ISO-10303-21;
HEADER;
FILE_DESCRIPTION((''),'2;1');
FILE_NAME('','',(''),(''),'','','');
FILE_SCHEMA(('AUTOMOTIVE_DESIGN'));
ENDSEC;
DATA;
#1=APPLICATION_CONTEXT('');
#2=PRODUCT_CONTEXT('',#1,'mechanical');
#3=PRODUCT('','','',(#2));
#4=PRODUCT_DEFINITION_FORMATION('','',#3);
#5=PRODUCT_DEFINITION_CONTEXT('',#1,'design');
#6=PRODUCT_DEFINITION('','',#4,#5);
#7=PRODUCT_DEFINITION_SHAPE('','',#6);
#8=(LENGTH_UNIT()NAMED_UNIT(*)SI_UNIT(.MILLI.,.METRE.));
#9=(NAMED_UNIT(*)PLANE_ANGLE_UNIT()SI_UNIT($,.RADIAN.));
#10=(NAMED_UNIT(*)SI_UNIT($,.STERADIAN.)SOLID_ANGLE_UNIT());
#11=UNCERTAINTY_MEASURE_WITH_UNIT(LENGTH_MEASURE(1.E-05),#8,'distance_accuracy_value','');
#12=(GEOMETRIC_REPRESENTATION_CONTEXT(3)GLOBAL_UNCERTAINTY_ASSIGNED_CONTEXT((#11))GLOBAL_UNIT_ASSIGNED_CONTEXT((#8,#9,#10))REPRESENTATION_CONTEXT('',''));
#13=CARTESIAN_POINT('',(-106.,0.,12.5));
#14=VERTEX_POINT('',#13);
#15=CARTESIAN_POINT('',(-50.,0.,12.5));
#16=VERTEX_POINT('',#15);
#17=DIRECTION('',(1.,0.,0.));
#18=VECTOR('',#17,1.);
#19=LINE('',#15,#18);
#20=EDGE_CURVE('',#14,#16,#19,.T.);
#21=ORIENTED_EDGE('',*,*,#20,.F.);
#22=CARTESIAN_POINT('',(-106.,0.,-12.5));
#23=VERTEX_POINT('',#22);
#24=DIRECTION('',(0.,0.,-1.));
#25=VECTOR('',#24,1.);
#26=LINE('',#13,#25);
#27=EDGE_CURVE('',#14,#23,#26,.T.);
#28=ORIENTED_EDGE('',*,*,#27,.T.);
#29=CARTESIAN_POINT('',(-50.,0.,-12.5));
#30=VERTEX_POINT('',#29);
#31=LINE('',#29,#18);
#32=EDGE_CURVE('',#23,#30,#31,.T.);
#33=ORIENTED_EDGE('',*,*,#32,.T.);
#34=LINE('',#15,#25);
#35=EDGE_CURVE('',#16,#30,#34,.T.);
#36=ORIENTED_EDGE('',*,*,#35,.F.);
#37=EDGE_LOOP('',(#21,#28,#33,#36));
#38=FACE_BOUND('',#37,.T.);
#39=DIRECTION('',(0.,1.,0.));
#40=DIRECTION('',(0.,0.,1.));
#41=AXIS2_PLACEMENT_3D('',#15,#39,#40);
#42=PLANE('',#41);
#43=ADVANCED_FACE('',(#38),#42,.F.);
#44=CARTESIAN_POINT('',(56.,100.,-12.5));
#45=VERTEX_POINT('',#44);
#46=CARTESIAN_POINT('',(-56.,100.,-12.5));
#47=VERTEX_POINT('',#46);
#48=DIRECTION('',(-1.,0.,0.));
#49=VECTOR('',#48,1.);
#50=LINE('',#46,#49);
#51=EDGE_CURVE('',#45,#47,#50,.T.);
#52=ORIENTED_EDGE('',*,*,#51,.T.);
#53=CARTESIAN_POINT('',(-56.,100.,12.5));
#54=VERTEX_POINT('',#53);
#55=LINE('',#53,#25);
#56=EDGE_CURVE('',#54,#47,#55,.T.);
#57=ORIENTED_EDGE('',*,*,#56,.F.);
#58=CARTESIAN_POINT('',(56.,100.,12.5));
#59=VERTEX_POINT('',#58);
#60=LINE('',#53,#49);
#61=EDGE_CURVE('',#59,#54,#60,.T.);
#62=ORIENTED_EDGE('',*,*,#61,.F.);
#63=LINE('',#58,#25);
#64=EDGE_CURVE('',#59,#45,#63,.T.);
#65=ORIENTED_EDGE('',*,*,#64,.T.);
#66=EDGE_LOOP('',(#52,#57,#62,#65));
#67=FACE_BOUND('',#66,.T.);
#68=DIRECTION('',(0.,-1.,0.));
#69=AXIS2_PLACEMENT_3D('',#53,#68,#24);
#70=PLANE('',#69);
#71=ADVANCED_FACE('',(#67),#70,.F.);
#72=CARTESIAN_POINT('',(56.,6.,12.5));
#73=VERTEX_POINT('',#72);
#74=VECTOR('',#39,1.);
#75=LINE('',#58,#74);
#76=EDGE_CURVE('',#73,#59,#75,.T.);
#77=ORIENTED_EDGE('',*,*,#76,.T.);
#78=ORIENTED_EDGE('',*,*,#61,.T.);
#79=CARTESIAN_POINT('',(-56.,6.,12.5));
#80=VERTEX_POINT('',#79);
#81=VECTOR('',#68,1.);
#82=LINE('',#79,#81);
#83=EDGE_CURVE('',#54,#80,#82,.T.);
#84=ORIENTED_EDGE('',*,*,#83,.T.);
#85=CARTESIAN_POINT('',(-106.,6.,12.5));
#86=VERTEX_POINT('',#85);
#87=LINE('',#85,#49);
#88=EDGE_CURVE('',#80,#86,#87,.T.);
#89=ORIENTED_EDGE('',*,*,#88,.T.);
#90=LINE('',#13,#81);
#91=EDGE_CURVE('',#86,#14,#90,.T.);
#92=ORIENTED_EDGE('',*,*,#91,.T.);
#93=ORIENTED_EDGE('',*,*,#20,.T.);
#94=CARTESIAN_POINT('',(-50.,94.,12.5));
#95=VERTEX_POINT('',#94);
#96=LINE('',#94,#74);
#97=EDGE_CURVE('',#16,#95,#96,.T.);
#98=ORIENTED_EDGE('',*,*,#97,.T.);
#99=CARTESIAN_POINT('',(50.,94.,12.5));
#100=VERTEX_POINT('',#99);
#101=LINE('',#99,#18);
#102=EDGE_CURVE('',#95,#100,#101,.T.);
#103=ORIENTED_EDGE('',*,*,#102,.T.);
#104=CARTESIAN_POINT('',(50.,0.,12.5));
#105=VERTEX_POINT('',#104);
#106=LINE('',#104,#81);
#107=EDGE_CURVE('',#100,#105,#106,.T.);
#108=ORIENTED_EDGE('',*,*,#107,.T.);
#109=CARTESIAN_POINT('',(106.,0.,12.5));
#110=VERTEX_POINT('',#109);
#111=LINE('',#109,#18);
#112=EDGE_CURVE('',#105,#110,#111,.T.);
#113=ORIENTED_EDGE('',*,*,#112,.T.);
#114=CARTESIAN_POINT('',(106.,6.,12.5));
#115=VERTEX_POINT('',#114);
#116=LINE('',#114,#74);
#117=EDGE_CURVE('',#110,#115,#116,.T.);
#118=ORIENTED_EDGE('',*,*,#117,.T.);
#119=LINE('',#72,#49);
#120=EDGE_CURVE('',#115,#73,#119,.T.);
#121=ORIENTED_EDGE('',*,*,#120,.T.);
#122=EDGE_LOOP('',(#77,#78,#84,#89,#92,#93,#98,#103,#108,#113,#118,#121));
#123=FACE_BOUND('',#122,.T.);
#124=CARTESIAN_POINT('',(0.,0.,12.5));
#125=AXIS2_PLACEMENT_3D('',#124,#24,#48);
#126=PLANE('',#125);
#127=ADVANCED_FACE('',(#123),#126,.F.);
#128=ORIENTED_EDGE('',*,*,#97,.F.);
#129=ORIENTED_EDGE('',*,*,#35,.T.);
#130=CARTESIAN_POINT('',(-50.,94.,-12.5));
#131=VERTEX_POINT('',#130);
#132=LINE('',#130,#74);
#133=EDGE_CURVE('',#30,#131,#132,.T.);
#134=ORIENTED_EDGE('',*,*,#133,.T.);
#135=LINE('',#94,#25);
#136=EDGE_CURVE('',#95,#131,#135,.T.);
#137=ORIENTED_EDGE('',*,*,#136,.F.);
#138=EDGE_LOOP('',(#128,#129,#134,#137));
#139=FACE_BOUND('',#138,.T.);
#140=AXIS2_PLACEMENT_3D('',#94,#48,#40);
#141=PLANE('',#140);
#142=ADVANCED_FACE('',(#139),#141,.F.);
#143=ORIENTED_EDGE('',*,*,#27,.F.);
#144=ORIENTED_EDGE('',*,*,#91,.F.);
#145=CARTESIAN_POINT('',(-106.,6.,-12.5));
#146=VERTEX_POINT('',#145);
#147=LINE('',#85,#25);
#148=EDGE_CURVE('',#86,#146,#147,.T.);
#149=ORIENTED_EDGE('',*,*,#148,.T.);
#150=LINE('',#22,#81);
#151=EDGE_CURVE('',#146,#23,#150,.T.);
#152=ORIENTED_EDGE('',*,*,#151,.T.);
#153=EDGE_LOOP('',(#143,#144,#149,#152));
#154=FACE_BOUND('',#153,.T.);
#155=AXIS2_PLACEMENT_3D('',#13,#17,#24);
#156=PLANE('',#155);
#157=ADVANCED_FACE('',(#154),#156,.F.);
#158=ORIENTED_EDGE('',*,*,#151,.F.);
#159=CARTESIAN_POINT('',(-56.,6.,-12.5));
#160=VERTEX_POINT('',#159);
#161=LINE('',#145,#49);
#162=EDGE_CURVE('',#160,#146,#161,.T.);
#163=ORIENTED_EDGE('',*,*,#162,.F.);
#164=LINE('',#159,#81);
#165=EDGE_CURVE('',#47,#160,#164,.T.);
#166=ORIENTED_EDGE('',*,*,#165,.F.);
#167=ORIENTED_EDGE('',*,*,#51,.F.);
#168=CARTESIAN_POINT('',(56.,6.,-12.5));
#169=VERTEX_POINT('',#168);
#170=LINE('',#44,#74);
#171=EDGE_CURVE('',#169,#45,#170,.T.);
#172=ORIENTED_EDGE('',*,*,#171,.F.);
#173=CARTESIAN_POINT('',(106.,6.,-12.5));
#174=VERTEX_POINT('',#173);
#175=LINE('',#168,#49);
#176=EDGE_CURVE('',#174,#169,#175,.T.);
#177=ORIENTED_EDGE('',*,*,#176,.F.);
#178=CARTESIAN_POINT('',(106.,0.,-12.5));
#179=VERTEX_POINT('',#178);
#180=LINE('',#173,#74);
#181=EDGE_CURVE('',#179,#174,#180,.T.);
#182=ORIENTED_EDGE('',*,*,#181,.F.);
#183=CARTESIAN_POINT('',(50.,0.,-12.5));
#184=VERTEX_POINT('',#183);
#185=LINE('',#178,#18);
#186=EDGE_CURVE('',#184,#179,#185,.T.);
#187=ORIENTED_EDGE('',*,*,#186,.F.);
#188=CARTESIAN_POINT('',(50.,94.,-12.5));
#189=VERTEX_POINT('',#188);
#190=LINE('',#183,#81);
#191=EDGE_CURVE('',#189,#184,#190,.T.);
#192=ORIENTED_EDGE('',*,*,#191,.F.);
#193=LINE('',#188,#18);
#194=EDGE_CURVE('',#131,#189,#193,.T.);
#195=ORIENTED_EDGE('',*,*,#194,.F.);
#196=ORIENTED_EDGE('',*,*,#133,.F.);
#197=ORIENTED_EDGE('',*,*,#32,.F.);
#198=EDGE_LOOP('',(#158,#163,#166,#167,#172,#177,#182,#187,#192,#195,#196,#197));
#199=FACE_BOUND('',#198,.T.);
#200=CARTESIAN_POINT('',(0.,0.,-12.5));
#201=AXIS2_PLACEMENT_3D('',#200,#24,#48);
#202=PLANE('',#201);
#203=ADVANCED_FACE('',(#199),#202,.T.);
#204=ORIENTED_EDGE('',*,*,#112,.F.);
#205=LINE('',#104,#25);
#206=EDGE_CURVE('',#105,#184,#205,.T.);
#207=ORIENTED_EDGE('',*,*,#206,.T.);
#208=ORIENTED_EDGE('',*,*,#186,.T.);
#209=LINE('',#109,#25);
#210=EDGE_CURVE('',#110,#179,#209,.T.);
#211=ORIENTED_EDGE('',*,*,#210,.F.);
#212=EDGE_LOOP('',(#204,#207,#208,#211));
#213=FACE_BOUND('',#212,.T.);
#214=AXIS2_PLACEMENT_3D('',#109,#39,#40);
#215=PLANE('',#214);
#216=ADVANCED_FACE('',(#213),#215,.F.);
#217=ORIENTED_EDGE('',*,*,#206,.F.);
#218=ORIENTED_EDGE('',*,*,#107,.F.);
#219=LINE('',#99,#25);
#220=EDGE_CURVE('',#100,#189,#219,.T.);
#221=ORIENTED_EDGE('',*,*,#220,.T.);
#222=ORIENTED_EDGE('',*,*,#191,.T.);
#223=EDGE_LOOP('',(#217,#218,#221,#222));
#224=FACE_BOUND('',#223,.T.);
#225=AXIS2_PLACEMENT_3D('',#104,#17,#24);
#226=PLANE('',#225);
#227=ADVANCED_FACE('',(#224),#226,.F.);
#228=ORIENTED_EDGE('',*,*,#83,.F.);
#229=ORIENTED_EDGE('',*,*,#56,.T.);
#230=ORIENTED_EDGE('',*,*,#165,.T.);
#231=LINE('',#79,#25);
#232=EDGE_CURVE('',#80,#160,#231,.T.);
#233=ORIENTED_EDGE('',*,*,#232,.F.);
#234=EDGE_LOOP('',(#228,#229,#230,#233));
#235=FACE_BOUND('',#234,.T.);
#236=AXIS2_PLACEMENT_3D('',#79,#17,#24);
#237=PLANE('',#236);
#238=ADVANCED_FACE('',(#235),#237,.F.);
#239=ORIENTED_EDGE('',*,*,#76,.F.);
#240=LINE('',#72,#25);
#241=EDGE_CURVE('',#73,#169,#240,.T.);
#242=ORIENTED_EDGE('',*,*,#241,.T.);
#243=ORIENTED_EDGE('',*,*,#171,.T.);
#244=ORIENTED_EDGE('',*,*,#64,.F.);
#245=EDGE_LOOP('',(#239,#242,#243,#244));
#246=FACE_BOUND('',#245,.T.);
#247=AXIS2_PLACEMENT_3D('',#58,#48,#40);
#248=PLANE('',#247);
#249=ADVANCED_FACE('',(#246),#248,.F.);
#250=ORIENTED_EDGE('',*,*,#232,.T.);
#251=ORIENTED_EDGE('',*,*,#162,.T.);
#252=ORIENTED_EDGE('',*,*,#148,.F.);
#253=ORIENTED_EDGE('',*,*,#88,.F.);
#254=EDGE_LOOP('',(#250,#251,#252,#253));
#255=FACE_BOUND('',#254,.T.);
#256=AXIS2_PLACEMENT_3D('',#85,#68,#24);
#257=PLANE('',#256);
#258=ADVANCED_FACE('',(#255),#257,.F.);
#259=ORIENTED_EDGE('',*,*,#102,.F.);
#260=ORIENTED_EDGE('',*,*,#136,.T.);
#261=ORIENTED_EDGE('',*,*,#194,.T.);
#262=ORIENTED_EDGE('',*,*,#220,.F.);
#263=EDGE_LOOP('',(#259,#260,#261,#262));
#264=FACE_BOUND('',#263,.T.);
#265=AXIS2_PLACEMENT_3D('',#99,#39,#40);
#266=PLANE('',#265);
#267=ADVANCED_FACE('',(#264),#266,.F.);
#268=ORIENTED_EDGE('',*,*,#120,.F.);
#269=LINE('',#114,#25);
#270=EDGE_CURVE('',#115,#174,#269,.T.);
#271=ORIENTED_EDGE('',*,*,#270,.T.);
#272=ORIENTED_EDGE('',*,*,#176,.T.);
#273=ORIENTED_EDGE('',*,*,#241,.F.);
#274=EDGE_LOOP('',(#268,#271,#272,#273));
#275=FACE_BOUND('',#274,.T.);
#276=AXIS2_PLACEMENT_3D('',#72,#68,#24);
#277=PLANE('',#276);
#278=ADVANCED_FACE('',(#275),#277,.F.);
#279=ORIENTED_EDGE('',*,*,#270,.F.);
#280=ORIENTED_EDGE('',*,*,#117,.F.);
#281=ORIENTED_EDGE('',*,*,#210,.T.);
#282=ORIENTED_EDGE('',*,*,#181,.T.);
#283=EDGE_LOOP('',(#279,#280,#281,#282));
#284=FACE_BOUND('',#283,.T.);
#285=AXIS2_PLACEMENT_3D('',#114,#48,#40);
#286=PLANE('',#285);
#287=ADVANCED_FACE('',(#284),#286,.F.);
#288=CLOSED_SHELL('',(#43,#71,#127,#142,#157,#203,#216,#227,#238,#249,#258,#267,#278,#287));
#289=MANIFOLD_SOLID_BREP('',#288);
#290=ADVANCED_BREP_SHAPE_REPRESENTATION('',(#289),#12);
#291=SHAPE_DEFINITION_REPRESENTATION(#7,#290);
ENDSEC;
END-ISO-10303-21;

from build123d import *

# Parameters (mm, degrees)
BOSS_EXTRUDE1_DEPTH = 12.5


with BuildPart() as part:
    # Sketch1 → Boss-Extrude1 (new, symmetric)
    with BuildSketch(Plane.XY):
        Polygon((-106, 0), (-106, 6), (-56, 6), (-56, 100), (56, 100), (56, 6), (106, 6), (106, 0), (50, 0), (50, 94), (-50, 94), (-50, 0), align=None)
    extrude(amount=BOSS_EXTRUDE1_DEPTH, both=True)


solid = part.part
